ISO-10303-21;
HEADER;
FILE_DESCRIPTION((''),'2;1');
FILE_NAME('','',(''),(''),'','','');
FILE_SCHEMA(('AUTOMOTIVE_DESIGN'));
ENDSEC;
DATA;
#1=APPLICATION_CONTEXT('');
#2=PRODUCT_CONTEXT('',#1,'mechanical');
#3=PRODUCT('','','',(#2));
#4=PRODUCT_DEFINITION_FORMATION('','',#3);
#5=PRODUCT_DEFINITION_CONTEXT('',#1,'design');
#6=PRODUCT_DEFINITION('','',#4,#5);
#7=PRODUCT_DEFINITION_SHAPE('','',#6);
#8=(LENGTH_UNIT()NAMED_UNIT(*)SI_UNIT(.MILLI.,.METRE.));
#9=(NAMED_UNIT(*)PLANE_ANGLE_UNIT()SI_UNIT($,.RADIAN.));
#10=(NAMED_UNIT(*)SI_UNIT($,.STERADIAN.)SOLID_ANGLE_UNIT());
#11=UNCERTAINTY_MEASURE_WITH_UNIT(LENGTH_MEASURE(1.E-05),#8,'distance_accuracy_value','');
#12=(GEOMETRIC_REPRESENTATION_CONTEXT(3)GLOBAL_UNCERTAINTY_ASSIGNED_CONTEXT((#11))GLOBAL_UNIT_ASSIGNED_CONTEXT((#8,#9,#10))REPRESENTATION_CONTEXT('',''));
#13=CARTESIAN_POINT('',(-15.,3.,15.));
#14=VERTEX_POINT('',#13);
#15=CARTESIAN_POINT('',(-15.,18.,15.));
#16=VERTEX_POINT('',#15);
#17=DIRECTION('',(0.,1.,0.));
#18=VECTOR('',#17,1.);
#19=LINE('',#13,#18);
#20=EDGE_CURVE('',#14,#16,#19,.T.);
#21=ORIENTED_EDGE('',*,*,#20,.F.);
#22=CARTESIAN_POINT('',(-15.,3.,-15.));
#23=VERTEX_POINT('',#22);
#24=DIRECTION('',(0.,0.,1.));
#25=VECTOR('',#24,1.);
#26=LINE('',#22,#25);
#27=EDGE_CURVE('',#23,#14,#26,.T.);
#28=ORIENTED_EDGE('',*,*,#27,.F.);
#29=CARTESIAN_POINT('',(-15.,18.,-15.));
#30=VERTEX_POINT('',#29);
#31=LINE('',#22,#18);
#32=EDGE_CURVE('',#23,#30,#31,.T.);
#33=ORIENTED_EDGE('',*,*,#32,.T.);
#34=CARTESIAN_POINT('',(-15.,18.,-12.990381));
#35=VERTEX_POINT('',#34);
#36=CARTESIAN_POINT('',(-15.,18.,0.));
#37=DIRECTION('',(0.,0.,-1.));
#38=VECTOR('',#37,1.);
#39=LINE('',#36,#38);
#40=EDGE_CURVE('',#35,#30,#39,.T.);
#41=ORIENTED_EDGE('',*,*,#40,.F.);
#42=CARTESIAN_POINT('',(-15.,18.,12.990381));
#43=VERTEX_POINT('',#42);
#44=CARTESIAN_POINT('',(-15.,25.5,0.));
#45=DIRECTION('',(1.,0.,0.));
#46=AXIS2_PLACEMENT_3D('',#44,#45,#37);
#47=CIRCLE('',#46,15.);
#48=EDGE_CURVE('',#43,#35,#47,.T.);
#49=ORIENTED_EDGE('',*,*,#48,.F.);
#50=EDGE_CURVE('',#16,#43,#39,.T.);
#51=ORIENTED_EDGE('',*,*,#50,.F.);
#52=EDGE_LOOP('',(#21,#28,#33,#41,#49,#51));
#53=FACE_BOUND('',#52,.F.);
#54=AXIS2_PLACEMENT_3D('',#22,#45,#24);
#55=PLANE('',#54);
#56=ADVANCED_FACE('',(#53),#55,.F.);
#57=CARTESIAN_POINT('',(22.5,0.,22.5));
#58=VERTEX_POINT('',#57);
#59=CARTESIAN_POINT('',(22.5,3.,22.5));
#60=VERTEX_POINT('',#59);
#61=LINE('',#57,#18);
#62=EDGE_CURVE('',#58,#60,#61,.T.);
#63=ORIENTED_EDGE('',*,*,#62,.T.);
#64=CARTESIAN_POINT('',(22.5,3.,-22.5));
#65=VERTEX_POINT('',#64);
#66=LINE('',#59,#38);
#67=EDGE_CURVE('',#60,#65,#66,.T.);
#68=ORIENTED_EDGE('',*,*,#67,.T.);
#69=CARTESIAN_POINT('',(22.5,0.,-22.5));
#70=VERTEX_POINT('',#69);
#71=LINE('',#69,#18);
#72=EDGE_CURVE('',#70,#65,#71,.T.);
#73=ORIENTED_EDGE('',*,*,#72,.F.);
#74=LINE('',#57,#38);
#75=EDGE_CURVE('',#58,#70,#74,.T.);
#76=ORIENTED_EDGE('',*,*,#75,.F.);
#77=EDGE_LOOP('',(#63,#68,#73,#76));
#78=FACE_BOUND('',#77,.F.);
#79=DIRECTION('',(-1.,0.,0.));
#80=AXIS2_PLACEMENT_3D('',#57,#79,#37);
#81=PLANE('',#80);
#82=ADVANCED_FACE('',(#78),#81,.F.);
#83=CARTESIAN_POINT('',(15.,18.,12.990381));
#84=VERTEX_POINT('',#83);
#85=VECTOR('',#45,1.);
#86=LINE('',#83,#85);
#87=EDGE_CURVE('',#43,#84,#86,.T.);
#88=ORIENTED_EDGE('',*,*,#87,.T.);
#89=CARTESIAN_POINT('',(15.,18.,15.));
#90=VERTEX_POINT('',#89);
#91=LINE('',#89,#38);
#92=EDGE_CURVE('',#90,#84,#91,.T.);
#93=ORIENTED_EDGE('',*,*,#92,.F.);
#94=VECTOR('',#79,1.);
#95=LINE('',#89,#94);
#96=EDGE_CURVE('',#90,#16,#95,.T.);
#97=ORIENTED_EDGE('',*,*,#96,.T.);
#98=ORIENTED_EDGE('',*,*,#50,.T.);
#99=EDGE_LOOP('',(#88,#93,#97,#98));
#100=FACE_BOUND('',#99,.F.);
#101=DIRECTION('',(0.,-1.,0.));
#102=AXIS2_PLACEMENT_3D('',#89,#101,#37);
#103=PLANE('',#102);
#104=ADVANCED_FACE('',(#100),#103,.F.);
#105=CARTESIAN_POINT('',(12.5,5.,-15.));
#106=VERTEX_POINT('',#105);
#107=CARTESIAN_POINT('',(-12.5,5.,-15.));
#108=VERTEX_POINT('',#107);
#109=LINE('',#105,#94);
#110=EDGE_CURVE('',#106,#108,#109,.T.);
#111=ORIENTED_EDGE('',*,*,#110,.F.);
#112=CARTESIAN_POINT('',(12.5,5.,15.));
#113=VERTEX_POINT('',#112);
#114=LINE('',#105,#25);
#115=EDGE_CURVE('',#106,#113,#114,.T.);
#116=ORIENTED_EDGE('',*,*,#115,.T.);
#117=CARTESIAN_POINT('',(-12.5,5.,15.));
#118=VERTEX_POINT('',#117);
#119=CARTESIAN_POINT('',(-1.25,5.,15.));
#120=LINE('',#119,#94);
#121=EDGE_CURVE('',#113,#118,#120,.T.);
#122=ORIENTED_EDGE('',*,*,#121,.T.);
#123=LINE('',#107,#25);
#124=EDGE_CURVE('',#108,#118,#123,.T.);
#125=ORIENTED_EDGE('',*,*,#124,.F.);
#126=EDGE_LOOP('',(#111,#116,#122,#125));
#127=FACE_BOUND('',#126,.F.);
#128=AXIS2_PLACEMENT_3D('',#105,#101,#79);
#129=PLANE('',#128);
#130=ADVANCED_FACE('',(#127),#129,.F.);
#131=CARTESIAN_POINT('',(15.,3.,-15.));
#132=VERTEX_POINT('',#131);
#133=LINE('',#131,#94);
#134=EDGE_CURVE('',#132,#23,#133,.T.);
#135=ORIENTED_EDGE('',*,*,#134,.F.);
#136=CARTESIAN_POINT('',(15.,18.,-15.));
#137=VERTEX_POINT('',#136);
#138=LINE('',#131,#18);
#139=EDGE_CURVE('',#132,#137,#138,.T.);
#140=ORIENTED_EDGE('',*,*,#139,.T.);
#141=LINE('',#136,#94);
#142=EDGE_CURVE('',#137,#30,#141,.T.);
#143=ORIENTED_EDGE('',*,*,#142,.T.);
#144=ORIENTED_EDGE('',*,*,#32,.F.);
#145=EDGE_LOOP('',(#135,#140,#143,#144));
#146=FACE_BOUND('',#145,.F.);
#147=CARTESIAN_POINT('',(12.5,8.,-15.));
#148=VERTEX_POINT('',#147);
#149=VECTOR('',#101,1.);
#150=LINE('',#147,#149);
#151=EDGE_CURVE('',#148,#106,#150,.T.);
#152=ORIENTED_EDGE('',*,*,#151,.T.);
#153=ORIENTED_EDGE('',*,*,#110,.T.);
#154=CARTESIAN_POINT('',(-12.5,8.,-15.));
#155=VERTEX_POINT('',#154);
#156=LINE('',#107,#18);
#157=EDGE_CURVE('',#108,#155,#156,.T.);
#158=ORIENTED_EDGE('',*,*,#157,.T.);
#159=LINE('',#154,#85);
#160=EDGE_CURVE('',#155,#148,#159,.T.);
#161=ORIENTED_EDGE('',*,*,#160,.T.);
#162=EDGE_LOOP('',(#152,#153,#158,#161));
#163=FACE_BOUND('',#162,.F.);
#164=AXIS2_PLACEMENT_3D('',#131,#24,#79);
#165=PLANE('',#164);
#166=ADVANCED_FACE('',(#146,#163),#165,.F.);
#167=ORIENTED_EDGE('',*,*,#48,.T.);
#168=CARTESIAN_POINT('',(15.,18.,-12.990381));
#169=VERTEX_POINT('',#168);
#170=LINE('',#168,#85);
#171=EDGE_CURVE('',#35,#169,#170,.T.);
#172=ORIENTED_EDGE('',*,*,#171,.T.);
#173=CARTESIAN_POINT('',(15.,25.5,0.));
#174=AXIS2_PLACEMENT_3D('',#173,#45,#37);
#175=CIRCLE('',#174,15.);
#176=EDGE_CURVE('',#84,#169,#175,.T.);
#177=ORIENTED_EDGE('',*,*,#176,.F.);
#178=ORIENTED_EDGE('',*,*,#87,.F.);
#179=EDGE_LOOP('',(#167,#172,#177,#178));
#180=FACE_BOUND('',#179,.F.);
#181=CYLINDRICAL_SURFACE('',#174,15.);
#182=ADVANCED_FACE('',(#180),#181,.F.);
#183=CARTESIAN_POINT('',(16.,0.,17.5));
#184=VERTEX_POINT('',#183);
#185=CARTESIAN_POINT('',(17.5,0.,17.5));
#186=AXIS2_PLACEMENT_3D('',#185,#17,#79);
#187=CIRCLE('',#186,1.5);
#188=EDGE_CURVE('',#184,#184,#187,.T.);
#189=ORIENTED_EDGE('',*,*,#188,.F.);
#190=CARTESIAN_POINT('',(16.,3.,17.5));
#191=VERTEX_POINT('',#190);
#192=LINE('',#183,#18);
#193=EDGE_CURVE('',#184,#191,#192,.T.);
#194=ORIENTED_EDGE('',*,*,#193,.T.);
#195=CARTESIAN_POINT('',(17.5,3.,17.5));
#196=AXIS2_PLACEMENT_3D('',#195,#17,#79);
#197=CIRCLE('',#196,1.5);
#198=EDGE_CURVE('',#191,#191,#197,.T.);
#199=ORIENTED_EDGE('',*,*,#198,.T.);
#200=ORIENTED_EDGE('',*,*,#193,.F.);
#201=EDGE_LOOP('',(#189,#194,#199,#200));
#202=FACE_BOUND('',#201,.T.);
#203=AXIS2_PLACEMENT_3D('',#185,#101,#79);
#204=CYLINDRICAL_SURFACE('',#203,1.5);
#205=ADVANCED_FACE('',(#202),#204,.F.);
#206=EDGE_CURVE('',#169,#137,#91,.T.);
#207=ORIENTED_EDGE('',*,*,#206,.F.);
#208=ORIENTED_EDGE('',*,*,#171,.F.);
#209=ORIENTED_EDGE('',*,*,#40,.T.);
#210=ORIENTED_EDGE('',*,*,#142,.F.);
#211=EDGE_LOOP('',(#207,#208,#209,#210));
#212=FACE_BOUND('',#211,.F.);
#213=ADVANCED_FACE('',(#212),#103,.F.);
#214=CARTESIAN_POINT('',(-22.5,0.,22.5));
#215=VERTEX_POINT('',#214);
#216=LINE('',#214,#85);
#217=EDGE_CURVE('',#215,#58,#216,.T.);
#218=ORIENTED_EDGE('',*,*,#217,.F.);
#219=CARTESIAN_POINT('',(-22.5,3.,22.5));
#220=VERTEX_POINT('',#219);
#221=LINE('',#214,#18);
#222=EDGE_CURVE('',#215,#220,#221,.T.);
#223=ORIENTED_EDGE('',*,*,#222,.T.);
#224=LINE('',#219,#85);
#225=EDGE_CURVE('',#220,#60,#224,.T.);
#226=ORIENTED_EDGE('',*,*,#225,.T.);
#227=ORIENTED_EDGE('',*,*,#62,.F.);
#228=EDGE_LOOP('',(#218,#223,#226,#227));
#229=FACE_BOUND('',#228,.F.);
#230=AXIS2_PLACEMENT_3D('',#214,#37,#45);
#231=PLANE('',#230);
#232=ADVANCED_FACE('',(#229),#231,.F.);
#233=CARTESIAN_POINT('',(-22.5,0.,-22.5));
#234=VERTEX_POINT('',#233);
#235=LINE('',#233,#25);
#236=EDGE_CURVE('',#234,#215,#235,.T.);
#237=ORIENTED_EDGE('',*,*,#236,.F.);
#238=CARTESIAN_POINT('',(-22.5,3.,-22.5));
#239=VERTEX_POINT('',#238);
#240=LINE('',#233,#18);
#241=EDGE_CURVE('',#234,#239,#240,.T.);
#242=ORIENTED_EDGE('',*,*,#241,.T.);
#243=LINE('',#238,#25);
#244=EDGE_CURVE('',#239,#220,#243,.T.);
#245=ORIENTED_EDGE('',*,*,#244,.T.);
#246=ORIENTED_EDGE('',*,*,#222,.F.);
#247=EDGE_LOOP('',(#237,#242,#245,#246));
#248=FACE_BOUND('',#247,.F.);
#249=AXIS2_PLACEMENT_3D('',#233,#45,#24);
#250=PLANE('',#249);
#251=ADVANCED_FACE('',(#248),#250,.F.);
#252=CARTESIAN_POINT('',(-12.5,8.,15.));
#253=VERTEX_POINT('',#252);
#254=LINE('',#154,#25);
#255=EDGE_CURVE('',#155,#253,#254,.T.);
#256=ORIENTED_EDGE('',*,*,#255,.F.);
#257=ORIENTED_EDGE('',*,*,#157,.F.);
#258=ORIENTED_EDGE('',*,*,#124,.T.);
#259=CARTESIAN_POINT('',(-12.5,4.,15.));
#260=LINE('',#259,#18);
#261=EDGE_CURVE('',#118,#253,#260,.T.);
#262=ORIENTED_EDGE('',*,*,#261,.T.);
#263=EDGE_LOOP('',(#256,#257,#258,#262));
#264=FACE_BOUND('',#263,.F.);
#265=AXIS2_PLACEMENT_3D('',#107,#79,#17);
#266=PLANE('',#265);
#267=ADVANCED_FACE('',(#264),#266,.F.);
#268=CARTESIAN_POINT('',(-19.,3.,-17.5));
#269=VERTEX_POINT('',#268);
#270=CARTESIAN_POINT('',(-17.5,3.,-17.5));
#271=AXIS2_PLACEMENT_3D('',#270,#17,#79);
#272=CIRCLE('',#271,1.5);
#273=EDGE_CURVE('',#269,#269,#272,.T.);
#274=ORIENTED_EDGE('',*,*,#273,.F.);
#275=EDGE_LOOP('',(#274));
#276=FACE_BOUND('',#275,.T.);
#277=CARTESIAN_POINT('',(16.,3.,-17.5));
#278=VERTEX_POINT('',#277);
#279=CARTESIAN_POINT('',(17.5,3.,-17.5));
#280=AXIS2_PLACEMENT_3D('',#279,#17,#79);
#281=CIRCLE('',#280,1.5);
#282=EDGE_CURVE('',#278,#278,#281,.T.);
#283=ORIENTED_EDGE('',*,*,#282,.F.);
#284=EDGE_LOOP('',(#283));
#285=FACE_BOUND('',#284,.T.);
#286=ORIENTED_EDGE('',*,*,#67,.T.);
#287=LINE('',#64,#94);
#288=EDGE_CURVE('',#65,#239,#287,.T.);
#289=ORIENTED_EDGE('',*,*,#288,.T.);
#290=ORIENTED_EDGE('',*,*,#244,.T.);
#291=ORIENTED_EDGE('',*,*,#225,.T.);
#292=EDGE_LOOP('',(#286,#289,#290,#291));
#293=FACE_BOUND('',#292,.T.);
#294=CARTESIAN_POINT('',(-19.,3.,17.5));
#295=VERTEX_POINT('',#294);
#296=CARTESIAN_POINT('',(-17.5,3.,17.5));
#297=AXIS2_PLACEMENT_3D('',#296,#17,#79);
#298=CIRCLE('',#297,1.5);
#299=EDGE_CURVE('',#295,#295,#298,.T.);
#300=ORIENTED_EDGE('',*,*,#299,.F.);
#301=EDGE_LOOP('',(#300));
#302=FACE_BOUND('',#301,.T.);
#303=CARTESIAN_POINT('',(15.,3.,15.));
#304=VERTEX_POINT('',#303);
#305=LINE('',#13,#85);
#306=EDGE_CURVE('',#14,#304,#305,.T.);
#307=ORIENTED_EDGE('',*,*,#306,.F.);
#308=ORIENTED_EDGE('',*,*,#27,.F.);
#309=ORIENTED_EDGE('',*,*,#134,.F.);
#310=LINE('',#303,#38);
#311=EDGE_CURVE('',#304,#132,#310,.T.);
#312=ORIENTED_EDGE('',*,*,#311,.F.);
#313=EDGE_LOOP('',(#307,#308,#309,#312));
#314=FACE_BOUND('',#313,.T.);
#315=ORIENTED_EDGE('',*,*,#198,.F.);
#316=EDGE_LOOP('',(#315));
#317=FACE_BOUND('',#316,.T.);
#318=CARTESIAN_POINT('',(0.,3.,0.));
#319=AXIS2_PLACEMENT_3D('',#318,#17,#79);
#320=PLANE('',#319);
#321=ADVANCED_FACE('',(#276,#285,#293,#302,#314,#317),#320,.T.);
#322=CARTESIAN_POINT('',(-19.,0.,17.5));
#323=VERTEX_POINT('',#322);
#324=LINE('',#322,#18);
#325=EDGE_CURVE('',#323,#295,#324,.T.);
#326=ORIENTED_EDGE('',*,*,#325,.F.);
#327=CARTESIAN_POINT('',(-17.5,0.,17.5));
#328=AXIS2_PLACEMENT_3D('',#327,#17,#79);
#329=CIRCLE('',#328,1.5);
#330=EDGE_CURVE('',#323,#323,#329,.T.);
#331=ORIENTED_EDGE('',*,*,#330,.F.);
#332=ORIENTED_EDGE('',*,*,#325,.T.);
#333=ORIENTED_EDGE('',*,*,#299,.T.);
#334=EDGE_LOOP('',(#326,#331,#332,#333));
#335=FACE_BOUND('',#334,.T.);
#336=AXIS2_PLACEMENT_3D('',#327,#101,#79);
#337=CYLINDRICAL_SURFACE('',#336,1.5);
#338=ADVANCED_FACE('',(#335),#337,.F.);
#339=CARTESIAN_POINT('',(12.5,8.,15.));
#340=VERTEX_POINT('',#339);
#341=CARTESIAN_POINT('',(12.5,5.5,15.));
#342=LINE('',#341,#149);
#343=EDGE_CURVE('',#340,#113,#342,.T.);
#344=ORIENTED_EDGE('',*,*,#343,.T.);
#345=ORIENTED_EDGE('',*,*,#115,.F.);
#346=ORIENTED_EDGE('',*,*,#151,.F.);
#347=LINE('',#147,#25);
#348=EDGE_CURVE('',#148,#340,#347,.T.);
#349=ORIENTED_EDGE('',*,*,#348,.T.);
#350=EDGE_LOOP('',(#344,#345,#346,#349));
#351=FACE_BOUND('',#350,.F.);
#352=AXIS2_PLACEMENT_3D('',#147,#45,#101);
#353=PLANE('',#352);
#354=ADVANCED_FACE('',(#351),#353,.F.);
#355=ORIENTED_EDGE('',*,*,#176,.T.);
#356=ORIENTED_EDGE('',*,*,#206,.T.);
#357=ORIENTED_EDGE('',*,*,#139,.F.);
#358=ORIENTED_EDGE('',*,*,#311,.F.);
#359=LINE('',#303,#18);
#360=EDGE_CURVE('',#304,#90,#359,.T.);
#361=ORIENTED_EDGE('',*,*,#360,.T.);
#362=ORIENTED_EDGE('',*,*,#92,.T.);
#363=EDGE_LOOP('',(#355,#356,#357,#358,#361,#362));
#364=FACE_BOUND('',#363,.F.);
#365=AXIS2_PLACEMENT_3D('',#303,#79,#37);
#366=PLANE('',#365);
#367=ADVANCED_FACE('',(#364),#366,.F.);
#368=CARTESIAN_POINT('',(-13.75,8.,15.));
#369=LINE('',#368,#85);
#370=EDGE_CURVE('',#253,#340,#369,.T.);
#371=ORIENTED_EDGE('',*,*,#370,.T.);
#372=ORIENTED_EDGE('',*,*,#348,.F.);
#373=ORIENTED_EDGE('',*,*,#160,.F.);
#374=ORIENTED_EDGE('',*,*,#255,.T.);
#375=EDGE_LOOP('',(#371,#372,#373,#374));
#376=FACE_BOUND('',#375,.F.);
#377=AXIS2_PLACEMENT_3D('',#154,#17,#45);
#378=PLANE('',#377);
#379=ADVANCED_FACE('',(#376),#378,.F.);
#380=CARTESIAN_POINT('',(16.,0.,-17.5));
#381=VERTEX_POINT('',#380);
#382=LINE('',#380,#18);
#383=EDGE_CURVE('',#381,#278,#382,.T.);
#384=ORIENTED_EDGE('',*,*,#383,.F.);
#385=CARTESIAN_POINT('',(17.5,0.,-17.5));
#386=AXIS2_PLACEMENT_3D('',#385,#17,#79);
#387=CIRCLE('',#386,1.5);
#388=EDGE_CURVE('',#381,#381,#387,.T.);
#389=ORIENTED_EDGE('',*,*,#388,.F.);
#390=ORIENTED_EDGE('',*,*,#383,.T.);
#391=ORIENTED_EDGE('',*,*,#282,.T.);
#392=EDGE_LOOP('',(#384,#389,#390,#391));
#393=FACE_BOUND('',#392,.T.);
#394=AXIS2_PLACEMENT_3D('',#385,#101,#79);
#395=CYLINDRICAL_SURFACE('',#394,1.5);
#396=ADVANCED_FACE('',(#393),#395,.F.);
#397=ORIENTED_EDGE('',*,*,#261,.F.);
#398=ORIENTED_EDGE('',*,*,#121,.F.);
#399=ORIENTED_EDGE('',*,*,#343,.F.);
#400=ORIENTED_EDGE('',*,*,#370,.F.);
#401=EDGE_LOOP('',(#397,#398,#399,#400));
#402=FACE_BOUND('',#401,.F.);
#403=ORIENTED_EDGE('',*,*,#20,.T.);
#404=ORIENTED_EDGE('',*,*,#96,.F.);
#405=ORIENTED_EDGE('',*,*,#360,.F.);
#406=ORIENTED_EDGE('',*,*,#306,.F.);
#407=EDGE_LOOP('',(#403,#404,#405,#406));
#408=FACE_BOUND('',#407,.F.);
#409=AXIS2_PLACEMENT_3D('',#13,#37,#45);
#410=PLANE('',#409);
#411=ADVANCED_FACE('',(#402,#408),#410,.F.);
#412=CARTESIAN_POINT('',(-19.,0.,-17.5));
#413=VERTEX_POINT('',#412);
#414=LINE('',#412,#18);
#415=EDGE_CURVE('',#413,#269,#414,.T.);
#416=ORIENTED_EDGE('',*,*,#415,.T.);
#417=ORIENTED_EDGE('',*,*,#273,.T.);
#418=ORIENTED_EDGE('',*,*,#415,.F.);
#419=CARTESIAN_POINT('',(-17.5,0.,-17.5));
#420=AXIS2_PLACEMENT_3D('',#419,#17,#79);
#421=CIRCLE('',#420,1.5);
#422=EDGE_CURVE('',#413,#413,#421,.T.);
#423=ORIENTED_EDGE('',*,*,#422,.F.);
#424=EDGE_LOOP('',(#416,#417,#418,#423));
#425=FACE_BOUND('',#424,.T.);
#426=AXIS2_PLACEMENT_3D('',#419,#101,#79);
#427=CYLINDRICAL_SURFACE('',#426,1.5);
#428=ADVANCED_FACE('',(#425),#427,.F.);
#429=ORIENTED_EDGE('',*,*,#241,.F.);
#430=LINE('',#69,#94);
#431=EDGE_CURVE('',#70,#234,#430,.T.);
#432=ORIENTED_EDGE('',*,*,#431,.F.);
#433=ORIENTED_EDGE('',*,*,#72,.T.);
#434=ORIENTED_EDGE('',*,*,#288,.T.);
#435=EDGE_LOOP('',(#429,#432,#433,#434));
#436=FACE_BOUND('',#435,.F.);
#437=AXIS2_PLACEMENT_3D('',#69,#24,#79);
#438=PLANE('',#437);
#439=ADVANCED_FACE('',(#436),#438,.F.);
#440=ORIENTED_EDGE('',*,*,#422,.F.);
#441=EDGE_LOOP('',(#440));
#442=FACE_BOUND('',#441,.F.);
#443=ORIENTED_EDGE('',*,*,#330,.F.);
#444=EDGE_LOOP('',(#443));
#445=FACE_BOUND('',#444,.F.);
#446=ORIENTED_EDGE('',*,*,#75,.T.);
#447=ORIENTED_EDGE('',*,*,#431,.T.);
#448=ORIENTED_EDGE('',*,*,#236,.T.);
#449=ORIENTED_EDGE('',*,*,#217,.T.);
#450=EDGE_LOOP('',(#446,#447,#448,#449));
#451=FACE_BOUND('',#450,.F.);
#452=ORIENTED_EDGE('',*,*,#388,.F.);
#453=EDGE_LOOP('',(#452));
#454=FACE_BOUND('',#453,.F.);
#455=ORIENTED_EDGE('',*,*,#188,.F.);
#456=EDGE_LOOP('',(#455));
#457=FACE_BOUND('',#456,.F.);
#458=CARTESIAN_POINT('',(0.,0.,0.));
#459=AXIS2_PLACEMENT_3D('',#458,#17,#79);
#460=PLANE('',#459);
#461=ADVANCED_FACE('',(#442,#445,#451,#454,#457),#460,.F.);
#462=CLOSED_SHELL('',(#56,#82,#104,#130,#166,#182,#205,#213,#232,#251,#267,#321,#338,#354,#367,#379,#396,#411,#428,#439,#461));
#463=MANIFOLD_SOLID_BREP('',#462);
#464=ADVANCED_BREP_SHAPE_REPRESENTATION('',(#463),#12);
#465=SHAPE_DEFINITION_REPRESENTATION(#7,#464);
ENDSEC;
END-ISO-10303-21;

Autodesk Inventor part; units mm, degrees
ref_plane "YZ Plane" through (0, 0, 0) normal (1, 0, 0) x (0, 1, 0)
ref_plane "XZ Plane" through (0, 0, 0) normal (0, 1, 0) x (-1, 0, 0)
ref_plane "XY Plane" through (0, 0, 0) normal (0, 0, 1) x (1, 0, 0)
sketch "Skizze1" plane through (0, 0, 0) normal (0, 1, 0) x (-1, 0, 0)
  line L0 (22.5, 22.5) -> (-22.5, 22.5)
  line L1 (-22.5, 22.5) -> (-22.5, -22.5)
  line L2 (-22.5, -22.5) -> (22.5, -22.5)
  line L3 (22.5, -22.5) -> (22.5, 22.5)
  line L4 (17.5, 17.5) -> (-17.5, 17.5) construction
  line L5 (-17.5, 17.5) -> (-17.5, -17.5) construction
  line L6 (-17.5, -17.5) -> (17.5, -17.5) construction
  line L7 (17.5, -17.5) -> (17.5, 17.5) construction
  circle A0 centre (17.5, 17.5) radius 1.5
  circle A1 centre (17.5, -17.5) radius 1.5
  circle A2 centre (-17.5, 17.5) radius 1.5
  circle A3 centre (-17.5, -17.5) radius 1.5
  point P0 (0, 0)
  point P1 (0, 22.5)
  point P2 (22.5, 0)
  dimension "d0" = 45
  dimension "d1" = 5
  dimension "d2" = 35
  dimension "d3" = 3
extrude "Extrusion1" add sketch "Skizze1" along normal blind 3
sketch "Skizze2" plane through (0, 3, 0) normal (0, 1, 0) x (1, 0, 0)
  line L0 (-15, -15) -> (15, -15)
  line L1 (15, -15) -> (15, 15)
  line L2 (15, 15) -> (-15, 15)
  line L3 (-15, 15) -> (-15, -15)
  point P0 (0, 0)
  point P1 (0, -15)
  point P2 (-15, 0)
  dimension "d7" = 30
extrude "Extrusion2" add sketch "Skizze2" along normal blind 30
sketch "Skizze3" plane through (15, 3, 15) normal (1, 0, 0) x (0, 0, -1)
  circle A0 centre (15, 22.5) radius 15
  line L0 (-7.5, 0) -> (37.5, 0) construction
  line L1 (-7.5, -3) -> (37.5, -3) projected
  point P0 (15, -3)
  point P1 (15, -3)
  point P2 (15, 0)
  point P3 (15, 7.5)
  point P4 (15, 0)
  point P5 (15, -3)
  dimension "d10" = 30
  dimension "d18" = 7.5
extrude "Extrusion3" cut sketch "Skizze3" against normal through all
sketch "Skizze4" plane through (15, 3, -15) normal (1, 0, 0) x (0, 0, -1)
  line L0 (0, 30) -> (-30, 30)
  line L1 (-30, 30) -> (-30, 15)
  line L2 (-30, 15) -> (0, 15)
  line L3 (0, 15) -> (0, 30)
  arc A0 (-27.9904, 30) -> (-2.0096, 30) centre (-15, 22.5) ccw construction
  point P0 (-15, -3)
  point P1 (-15, 0)
  dimension "d24" = 15
extrude "Extrusion4" cut sketch "Skizze4" against normal through all
sketch "Skizze5" plane through (15, 3, -15) normal (0, 0, -1) x (-1, 0, 0)
  line L0 (27.5, 5) -> (2.5, 5)
  line L1 (2.5, 5) -> (2.5, 2)
  line L2 (2.5, 2) -> (27.5, 2)
  line L3 (27.5, 2) -> (27.5, 5)
  line L4 (-7.5, 0) -> (37.5, 0) construction
  point P0 (15, -3)
  point P1 (15, 2)
  dimension "d19" = 25
  dimension "d20" = 3
  dimension "d21" = 2
extrude "Extrusion5" cut sketch "Skizze5" against normal through all
properties part number "fastening-clip" material "PC/ABS-Kunststoff"
